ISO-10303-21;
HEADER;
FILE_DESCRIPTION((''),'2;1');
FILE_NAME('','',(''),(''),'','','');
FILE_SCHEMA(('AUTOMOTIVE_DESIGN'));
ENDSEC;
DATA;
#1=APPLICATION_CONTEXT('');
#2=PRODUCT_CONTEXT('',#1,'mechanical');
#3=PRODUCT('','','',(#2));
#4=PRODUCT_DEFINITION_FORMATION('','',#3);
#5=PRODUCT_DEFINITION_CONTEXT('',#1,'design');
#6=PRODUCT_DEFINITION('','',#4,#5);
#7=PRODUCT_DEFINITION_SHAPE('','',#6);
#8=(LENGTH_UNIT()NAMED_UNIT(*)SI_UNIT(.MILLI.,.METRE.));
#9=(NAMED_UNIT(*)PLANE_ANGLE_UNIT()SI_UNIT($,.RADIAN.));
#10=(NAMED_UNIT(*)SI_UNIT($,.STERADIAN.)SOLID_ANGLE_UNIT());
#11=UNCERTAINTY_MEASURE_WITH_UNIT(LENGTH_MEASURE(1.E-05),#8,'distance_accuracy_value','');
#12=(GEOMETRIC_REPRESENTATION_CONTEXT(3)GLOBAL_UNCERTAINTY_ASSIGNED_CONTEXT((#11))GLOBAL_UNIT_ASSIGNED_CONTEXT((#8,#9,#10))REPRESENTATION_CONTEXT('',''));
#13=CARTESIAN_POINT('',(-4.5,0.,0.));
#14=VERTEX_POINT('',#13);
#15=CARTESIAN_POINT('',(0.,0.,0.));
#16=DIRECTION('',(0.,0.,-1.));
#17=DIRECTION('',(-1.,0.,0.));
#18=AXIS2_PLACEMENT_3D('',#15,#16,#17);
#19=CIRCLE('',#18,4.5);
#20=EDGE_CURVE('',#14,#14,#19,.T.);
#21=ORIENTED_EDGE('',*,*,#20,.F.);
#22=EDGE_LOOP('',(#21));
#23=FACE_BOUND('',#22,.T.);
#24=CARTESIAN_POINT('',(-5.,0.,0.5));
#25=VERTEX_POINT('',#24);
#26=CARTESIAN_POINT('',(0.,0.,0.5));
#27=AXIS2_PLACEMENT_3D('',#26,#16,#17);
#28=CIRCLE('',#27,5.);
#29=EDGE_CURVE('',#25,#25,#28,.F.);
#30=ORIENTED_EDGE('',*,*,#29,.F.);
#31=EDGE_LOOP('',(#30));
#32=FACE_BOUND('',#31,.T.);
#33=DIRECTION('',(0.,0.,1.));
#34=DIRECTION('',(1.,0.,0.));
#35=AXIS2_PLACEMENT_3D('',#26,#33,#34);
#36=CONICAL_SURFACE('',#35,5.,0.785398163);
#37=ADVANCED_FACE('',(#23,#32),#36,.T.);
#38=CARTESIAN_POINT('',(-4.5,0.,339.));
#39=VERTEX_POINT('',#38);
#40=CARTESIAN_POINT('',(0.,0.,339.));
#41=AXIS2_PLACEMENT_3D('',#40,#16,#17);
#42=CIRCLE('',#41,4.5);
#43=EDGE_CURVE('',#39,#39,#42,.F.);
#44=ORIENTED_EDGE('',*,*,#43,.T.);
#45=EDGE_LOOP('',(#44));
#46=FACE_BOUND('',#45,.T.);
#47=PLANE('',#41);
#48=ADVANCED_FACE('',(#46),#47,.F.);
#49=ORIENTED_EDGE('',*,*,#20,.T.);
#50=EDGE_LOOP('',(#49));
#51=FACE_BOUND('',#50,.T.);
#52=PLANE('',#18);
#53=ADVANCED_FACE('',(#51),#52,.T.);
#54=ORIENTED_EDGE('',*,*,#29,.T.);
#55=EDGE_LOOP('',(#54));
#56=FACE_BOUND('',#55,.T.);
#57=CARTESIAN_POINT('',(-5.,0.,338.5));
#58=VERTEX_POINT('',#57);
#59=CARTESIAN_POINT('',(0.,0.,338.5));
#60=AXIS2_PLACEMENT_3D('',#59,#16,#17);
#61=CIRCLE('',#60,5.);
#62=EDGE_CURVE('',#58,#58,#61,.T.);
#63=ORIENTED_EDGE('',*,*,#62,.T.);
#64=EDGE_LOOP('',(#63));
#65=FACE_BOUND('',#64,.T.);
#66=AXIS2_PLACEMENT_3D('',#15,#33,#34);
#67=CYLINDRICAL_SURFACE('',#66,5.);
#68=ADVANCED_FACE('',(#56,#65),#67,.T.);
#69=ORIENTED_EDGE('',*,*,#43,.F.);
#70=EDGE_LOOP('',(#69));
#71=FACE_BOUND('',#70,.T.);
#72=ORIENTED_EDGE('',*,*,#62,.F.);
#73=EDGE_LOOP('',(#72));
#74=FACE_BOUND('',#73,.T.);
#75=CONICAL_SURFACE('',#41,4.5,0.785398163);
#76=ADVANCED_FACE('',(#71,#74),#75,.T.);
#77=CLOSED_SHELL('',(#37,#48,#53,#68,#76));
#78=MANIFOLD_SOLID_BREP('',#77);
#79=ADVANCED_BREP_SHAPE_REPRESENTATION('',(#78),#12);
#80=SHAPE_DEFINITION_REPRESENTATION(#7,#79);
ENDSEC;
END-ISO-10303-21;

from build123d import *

# Parameters (mm, degrees)
SKETCH1_R           = 5
BOSS_EXTRUDE1_DEPTH = 339
CHAMFER1_SIZE       = 0.5


with BuildPart() as part:
    # Sketch1 → Boss-Extrude1 (new body)
    with BuildSketch(Plane.XY.offset(339)):
        Circle(SKETCH1_R)
    extrude(amount=-BOSS_EXTRUDE1_DEPTH)

    # Chamfer1
    chamfer1_edges = [part.edges().sort_by_distance(p)[0] for p in [
        (-5, 0, 0),
        (-5, 0, 339),
    ]]
    chamfer(chamfer1_edges, length=CHAMFER1_SIZE)


solid = part.part
